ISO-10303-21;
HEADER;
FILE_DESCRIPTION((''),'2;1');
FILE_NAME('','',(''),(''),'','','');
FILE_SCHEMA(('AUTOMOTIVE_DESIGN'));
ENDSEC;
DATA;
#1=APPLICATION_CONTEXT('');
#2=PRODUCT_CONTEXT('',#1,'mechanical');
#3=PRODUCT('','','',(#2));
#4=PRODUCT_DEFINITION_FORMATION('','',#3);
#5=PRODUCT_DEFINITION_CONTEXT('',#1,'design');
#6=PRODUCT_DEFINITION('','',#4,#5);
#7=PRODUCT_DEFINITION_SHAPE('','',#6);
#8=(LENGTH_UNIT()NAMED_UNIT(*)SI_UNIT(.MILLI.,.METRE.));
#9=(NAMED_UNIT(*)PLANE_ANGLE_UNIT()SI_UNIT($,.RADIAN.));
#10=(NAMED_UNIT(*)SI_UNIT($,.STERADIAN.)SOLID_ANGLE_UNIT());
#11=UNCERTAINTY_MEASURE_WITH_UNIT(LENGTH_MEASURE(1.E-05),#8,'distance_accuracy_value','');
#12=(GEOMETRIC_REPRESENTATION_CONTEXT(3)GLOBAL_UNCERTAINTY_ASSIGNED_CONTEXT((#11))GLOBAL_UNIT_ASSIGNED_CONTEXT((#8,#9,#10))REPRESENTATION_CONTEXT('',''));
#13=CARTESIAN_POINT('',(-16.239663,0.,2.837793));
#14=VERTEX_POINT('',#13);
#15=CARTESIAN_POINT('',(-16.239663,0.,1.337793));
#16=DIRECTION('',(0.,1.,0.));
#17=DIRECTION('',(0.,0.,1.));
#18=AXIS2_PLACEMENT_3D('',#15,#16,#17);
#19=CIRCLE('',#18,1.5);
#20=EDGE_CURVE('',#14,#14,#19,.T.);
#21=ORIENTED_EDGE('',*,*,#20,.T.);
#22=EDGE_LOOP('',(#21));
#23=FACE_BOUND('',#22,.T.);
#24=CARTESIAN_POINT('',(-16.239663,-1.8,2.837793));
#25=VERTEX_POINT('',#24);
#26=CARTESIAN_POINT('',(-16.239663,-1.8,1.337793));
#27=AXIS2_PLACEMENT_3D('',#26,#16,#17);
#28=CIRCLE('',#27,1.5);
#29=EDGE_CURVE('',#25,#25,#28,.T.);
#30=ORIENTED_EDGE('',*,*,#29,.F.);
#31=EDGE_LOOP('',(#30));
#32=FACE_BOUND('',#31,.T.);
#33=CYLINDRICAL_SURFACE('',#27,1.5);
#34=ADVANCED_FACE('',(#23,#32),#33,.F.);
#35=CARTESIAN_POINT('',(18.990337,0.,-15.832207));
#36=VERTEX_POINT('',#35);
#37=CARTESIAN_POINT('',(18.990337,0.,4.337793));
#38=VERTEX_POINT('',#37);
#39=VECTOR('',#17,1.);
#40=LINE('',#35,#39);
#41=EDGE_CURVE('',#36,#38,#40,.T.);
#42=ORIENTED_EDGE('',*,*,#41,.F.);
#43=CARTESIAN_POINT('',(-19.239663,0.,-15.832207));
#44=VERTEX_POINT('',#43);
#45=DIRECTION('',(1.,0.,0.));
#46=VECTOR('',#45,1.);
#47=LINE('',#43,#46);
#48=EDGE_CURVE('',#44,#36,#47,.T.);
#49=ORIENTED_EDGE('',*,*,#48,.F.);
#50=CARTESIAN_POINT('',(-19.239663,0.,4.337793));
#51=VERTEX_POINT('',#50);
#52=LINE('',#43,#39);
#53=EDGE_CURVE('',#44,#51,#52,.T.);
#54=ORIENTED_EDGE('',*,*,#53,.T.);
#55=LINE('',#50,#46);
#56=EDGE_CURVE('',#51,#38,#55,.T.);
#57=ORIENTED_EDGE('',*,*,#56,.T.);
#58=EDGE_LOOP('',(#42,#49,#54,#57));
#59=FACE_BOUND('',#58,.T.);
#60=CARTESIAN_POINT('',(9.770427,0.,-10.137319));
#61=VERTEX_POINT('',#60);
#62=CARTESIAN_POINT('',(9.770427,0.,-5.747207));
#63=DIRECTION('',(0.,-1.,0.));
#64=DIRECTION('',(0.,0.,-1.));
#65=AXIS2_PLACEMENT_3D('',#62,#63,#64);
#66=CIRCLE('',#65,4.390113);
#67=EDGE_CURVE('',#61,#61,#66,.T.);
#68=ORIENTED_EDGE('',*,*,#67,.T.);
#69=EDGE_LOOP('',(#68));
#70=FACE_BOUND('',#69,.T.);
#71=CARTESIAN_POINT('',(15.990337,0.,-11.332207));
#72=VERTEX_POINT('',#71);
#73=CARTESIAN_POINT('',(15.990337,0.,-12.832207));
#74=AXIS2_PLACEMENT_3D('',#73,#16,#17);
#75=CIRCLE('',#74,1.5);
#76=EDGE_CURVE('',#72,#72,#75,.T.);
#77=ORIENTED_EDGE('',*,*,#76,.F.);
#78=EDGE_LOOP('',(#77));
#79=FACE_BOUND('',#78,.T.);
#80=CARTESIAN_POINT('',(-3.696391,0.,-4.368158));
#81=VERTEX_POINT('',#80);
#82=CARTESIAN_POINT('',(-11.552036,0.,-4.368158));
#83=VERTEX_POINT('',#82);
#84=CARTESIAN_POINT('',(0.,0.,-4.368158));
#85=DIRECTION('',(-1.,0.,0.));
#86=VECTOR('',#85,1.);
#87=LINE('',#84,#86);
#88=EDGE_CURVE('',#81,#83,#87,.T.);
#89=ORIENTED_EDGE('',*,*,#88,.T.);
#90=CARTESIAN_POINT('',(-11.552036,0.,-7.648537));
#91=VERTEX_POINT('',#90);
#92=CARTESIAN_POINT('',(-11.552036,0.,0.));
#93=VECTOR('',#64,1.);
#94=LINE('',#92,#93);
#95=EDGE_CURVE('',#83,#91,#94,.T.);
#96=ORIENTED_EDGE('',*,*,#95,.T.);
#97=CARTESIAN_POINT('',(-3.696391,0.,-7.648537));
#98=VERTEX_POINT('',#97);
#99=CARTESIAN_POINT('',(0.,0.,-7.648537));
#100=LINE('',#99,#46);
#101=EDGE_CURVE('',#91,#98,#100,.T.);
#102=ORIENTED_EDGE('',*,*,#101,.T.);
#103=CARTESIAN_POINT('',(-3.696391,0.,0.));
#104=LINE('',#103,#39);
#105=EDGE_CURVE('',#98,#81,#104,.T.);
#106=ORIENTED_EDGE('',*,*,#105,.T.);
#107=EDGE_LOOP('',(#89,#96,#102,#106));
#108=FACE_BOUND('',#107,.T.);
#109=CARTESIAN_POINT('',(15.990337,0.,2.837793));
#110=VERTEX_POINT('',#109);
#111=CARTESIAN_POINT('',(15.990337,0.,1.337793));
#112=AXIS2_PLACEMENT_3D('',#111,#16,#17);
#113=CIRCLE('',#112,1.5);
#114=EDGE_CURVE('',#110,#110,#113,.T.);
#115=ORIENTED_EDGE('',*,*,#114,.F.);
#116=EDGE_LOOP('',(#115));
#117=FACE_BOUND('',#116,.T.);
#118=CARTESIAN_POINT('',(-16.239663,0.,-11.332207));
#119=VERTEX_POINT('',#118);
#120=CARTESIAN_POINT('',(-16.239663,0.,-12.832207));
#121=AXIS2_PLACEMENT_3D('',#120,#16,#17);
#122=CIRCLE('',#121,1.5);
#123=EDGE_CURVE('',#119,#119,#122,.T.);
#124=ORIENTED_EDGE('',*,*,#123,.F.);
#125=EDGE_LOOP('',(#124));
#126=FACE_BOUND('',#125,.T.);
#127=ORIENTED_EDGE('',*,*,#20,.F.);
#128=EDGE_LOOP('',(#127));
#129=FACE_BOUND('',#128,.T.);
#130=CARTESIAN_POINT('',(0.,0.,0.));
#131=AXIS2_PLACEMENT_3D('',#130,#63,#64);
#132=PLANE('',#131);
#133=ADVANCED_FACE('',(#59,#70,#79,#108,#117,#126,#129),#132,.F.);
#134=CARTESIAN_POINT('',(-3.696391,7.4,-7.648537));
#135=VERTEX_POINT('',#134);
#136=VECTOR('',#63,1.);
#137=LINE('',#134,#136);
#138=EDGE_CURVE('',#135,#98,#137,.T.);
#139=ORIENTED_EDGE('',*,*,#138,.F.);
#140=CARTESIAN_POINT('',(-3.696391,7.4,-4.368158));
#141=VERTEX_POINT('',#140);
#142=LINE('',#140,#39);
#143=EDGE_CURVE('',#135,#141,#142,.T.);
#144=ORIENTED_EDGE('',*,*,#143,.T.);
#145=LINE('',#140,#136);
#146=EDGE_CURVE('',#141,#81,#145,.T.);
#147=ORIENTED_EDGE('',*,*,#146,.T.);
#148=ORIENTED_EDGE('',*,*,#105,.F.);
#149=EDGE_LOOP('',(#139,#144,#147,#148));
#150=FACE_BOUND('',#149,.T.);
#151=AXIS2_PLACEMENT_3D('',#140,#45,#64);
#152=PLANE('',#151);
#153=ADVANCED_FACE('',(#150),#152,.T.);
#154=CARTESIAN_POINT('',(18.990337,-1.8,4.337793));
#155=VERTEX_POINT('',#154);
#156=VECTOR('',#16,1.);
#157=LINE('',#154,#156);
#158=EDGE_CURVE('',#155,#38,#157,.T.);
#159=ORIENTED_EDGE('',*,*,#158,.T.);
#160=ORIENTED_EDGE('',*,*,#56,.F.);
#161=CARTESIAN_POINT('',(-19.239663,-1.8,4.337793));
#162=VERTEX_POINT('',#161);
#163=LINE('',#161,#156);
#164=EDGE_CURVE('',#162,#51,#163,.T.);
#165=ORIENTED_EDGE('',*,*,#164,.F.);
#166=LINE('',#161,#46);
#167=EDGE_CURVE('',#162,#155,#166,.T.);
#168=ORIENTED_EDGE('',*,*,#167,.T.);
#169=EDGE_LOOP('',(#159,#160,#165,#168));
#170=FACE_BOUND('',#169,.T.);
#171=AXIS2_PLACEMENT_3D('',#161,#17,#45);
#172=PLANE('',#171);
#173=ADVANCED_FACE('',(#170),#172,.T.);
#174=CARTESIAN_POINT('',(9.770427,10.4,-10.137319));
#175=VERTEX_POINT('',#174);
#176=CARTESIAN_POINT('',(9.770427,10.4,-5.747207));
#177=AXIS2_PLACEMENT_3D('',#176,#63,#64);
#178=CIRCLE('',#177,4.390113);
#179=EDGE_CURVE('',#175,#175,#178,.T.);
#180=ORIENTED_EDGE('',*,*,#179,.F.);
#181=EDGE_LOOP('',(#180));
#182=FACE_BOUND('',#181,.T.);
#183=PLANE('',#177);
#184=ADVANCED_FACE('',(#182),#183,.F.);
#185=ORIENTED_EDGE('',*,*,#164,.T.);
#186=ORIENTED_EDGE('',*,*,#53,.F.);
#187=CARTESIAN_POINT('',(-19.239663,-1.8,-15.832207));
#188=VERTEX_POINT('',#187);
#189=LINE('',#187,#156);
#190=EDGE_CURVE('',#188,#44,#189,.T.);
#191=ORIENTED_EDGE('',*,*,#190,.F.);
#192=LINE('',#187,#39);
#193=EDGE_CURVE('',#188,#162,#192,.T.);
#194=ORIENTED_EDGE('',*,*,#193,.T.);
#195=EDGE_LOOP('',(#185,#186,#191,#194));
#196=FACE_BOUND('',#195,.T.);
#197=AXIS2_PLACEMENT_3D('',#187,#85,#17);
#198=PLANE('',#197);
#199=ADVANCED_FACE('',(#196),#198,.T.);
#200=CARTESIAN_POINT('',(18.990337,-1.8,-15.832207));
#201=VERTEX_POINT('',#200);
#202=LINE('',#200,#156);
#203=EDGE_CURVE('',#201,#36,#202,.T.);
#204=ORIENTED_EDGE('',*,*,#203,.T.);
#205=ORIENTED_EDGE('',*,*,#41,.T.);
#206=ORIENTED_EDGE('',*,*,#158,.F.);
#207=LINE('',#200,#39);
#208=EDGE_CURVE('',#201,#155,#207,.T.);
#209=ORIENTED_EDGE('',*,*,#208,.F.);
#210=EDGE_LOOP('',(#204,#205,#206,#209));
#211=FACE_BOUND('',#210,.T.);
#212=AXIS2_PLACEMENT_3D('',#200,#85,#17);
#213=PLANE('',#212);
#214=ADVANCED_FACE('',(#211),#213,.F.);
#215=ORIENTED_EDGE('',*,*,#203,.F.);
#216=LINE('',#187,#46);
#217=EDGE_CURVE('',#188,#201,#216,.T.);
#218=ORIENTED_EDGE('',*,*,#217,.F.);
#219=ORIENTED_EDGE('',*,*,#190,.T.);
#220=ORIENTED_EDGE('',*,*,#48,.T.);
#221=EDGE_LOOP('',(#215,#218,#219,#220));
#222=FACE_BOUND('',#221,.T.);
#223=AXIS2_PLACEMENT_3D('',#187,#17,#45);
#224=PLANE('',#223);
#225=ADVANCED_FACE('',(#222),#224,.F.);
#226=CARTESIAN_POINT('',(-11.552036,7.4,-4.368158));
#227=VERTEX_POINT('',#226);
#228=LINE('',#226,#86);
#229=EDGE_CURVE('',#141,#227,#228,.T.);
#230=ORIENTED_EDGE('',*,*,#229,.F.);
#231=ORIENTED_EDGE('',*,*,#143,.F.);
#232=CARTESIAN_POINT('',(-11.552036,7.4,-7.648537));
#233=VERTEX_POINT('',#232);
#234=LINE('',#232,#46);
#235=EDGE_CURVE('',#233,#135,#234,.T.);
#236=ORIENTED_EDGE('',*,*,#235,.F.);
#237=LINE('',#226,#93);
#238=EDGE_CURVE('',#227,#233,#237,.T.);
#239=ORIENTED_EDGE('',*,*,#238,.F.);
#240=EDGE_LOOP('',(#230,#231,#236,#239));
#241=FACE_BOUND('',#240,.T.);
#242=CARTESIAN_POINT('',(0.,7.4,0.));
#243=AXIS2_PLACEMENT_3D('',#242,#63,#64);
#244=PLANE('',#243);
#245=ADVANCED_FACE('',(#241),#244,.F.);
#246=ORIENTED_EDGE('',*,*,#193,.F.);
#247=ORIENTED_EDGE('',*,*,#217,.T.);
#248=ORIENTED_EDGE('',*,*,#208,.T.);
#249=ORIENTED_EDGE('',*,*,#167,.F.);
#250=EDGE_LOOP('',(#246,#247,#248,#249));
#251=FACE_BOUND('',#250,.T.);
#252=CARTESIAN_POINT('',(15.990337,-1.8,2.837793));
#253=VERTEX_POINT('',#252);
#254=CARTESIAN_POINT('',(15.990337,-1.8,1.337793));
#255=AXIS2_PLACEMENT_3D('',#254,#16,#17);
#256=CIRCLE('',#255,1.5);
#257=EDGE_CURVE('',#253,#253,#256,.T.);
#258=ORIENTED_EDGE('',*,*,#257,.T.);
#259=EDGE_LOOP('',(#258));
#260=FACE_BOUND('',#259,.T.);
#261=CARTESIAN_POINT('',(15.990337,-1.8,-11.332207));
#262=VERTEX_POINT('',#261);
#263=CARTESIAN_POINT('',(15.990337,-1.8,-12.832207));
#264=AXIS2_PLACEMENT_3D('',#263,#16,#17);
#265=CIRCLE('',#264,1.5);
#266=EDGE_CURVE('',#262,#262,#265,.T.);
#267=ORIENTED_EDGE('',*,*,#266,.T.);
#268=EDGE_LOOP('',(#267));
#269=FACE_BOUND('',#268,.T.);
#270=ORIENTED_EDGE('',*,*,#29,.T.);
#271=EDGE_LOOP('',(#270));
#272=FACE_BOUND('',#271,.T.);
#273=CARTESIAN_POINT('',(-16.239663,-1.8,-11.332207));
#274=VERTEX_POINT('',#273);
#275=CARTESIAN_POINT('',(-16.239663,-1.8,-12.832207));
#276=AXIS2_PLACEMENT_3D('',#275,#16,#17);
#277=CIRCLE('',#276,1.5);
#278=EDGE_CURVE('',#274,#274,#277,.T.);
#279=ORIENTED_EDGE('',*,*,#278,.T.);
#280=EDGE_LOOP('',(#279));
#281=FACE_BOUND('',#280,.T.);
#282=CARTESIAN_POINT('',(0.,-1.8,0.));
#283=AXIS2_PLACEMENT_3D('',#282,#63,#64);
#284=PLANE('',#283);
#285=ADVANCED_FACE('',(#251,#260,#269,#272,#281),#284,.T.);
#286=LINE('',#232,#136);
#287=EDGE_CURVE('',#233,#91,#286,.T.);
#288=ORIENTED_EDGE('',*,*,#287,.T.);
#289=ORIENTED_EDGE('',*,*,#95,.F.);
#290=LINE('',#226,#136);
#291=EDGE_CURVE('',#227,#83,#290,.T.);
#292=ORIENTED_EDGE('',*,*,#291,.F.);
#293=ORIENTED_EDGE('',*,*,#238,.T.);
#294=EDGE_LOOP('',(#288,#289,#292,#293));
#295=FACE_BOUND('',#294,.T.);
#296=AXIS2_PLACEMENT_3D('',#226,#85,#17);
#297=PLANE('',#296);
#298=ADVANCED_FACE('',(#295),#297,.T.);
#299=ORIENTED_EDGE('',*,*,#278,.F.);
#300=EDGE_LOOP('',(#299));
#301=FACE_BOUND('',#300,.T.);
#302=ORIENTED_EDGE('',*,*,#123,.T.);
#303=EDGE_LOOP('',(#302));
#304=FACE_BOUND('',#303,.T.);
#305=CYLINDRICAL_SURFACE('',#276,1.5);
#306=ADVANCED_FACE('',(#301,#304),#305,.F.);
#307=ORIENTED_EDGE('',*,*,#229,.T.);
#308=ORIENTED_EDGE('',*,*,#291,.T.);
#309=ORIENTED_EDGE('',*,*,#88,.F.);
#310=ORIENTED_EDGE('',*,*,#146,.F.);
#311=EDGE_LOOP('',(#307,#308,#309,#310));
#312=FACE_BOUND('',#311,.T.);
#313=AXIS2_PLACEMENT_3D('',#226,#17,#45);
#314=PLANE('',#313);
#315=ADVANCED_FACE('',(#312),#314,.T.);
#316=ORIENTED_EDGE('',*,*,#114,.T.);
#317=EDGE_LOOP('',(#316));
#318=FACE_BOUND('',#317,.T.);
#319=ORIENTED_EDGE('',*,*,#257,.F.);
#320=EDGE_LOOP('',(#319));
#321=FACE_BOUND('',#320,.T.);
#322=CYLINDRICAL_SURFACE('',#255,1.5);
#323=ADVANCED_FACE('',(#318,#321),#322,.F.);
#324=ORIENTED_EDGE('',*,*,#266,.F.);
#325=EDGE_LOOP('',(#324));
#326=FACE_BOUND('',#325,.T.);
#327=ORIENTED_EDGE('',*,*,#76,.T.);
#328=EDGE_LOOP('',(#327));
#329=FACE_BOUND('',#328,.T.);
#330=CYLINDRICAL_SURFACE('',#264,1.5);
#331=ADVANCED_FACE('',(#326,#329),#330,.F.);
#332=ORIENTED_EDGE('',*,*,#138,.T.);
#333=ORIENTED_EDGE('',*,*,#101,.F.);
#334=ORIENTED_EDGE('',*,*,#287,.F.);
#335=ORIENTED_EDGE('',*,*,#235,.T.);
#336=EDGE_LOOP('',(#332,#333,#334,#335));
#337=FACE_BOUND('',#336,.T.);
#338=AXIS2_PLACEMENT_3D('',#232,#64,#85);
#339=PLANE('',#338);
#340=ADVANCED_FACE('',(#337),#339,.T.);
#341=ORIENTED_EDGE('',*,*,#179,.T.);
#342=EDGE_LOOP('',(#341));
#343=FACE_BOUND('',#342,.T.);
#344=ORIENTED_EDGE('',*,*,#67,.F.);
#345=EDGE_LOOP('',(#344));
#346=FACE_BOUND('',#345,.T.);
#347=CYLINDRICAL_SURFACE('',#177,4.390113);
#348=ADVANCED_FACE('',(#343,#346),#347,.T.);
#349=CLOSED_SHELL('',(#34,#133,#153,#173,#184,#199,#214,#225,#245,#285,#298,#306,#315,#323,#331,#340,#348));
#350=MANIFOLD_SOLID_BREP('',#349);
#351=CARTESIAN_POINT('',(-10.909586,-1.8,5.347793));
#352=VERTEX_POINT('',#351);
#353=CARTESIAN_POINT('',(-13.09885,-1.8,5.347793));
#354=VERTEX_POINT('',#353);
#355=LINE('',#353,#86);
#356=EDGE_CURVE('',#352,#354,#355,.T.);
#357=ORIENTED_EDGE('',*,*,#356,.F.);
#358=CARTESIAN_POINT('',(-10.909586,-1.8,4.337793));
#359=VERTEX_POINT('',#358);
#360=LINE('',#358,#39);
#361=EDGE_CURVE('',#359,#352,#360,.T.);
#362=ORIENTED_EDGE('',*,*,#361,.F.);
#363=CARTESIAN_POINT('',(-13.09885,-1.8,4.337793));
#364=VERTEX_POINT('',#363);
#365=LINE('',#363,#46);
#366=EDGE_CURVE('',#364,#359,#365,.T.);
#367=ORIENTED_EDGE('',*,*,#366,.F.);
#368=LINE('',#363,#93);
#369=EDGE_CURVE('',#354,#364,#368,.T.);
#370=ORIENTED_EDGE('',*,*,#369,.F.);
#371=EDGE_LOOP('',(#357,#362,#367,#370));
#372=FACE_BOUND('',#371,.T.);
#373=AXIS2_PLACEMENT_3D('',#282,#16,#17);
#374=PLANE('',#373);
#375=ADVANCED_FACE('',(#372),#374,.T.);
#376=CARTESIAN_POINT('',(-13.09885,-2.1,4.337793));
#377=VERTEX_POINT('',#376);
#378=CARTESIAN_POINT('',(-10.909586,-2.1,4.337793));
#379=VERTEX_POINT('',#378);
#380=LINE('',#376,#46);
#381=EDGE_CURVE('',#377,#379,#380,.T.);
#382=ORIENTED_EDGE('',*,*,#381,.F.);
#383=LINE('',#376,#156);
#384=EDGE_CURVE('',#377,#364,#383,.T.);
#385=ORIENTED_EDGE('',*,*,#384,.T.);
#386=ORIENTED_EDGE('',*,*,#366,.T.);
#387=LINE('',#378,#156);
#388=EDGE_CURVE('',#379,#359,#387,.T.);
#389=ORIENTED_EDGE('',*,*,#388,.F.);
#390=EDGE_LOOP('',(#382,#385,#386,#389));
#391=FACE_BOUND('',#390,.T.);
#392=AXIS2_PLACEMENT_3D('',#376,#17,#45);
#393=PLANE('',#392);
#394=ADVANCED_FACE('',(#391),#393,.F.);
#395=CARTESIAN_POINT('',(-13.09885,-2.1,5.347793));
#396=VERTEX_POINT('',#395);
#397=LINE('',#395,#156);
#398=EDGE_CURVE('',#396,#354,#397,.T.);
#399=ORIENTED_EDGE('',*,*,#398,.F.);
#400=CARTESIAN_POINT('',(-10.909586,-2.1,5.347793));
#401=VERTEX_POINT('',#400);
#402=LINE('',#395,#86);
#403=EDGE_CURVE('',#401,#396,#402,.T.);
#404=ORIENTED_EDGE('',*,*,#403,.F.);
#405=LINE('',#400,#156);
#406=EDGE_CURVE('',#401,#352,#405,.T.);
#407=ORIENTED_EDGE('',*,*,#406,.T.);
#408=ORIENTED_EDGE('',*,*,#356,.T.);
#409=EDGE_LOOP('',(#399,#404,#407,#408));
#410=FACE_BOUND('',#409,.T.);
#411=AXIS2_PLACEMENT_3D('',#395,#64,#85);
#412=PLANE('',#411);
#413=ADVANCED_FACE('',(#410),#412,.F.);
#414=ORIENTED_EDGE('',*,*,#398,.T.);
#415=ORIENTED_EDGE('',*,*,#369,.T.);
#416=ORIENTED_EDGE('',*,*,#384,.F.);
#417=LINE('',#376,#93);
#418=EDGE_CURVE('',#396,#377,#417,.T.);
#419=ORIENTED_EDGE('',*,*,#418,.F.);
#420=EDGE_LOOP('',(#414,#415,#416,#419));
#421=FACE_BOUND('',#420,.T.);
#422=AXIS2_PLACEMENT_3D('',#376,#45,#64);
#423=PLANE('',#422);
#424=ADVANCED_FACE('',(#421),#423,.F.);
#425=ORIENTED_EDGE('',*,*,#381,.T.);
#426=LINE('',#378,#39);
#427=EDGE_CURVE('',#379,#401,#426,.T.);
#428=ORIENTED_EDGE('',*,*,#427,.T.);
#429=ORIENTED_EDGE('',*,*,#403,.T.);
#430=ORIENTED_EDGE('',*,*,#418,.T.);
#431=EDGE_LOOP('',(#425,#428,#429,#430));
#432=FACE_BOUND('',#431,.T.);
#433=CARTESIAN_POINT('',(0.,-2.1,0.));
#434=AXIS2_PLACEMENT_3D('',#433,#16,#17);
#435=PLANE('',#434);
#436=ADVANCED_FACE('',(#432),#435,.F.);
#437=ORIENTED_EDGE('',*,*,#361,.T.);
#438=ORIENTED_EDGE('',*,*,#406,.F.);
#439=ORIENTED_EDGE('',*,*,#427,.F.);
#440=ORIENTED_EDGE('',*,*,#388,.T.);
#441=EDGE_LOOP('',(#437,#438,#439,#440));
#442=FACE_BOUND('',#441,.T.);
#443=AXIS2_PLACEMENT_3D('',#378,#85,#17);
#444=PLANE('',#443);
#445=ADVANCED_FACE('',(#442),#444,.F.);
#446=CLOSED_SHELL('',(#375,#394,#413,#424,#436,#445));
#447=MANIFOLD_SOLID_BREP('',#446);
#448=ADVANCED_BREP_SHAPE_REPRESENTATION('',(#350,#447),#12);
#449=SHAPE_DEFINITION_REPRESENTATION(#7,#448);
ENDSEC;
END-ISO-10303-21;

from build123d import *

# Parameters (mm, degrees)
SKETCH1_W           = 38.23
SKETCH1_H           = 20.17
SKETCH1_R           = 1.5
BOSS_EXTRUDE1_DEPTH = 1.8
SKETCH5_W           = 2.189263985
SKETCH5_H           = 1.01
BOSS_EXTRUDE2_DEPTH = 0.3
SKETCH6_R           = 4.390112711
BOSS_EXTRUDE3_DEPTH = 12.2
SKETCH7_W           = 7.855644305
SKETCH7_H           = 3.28037894
BOSS_EXTRUDE4_DEPTH = 9.2


with BuildPart() as part:
    # Sketch1 → Boss-Extrude1 (new body)
    with BuildSketch(Plane(origin=(0, 0, 0), x_dir=(1, 0, 0), z_dir=(0, 1, 0))):
        with Locations((-0.124663043, 5.747206522)):
            Rectangle(SKETCH1_W, SKETCH1_H)
        with Locations((-16.239663043, 12.832206522)):
            Circle(SKETCH1_R, mode=Mode.SUBTRACT)
        with Locations((15.990336957, 12.832206522)):
            Circle(SKETCH1_R, mode=Mode.SUBTRACT)
        with Locations((15.990336957, -1.337793478)):
            Circle(SKETCH1_R, mode=Mode.SUBTRACT)
        with Locations((-16.239663043, -1.337793478)):
            Circle(SKETCH1_R, mode=Mode.SUBTRACT)
    extrude(amount=-BOSS_EXTRUDE1_DEPTH)

    # Sketch6 → Boss-Extrude3 (add)
    with BuildSketch(Plane(origin=(0, -1.8, 0), x_dir=(-1, 0, 0), z_dir=(0, -1, 0))):
        with Locations((-9.77042738, 5.747206522)):
            Circle(SKETCH6_R)
    extrude(amount=-BOSS_EXTRUDE3_DEPTH)

    # Sketch7 → Boss-Extrude4 (add)
    with BuildSketch(Plane(origin=(0, -1.8, 0), x_dir=(-1, 0, 0), z_dir=(0, -1, 0))):
        with Locations((7.624213583, 6.008347656)):
            Rectangle(SKETCH7_W, SKETCH7_H)
    extrude(amount=-BOSS_EXTRUDE4_DEPTH)


with BuildPart() as body_2:
    # Sketch5 → Boss-Extrude2 (new body)
    with BuildSketch(Plane.XZ.offset(1.8)):
        with Locations((-12.004217964, 4.842793478)):
            Rectangle(SKETCH5_W, SKETCH5_H)
    extrude(amount=BOSS_EXTRUDE2_DEPTH)


solid = Compound([part.part, body_2.part])
